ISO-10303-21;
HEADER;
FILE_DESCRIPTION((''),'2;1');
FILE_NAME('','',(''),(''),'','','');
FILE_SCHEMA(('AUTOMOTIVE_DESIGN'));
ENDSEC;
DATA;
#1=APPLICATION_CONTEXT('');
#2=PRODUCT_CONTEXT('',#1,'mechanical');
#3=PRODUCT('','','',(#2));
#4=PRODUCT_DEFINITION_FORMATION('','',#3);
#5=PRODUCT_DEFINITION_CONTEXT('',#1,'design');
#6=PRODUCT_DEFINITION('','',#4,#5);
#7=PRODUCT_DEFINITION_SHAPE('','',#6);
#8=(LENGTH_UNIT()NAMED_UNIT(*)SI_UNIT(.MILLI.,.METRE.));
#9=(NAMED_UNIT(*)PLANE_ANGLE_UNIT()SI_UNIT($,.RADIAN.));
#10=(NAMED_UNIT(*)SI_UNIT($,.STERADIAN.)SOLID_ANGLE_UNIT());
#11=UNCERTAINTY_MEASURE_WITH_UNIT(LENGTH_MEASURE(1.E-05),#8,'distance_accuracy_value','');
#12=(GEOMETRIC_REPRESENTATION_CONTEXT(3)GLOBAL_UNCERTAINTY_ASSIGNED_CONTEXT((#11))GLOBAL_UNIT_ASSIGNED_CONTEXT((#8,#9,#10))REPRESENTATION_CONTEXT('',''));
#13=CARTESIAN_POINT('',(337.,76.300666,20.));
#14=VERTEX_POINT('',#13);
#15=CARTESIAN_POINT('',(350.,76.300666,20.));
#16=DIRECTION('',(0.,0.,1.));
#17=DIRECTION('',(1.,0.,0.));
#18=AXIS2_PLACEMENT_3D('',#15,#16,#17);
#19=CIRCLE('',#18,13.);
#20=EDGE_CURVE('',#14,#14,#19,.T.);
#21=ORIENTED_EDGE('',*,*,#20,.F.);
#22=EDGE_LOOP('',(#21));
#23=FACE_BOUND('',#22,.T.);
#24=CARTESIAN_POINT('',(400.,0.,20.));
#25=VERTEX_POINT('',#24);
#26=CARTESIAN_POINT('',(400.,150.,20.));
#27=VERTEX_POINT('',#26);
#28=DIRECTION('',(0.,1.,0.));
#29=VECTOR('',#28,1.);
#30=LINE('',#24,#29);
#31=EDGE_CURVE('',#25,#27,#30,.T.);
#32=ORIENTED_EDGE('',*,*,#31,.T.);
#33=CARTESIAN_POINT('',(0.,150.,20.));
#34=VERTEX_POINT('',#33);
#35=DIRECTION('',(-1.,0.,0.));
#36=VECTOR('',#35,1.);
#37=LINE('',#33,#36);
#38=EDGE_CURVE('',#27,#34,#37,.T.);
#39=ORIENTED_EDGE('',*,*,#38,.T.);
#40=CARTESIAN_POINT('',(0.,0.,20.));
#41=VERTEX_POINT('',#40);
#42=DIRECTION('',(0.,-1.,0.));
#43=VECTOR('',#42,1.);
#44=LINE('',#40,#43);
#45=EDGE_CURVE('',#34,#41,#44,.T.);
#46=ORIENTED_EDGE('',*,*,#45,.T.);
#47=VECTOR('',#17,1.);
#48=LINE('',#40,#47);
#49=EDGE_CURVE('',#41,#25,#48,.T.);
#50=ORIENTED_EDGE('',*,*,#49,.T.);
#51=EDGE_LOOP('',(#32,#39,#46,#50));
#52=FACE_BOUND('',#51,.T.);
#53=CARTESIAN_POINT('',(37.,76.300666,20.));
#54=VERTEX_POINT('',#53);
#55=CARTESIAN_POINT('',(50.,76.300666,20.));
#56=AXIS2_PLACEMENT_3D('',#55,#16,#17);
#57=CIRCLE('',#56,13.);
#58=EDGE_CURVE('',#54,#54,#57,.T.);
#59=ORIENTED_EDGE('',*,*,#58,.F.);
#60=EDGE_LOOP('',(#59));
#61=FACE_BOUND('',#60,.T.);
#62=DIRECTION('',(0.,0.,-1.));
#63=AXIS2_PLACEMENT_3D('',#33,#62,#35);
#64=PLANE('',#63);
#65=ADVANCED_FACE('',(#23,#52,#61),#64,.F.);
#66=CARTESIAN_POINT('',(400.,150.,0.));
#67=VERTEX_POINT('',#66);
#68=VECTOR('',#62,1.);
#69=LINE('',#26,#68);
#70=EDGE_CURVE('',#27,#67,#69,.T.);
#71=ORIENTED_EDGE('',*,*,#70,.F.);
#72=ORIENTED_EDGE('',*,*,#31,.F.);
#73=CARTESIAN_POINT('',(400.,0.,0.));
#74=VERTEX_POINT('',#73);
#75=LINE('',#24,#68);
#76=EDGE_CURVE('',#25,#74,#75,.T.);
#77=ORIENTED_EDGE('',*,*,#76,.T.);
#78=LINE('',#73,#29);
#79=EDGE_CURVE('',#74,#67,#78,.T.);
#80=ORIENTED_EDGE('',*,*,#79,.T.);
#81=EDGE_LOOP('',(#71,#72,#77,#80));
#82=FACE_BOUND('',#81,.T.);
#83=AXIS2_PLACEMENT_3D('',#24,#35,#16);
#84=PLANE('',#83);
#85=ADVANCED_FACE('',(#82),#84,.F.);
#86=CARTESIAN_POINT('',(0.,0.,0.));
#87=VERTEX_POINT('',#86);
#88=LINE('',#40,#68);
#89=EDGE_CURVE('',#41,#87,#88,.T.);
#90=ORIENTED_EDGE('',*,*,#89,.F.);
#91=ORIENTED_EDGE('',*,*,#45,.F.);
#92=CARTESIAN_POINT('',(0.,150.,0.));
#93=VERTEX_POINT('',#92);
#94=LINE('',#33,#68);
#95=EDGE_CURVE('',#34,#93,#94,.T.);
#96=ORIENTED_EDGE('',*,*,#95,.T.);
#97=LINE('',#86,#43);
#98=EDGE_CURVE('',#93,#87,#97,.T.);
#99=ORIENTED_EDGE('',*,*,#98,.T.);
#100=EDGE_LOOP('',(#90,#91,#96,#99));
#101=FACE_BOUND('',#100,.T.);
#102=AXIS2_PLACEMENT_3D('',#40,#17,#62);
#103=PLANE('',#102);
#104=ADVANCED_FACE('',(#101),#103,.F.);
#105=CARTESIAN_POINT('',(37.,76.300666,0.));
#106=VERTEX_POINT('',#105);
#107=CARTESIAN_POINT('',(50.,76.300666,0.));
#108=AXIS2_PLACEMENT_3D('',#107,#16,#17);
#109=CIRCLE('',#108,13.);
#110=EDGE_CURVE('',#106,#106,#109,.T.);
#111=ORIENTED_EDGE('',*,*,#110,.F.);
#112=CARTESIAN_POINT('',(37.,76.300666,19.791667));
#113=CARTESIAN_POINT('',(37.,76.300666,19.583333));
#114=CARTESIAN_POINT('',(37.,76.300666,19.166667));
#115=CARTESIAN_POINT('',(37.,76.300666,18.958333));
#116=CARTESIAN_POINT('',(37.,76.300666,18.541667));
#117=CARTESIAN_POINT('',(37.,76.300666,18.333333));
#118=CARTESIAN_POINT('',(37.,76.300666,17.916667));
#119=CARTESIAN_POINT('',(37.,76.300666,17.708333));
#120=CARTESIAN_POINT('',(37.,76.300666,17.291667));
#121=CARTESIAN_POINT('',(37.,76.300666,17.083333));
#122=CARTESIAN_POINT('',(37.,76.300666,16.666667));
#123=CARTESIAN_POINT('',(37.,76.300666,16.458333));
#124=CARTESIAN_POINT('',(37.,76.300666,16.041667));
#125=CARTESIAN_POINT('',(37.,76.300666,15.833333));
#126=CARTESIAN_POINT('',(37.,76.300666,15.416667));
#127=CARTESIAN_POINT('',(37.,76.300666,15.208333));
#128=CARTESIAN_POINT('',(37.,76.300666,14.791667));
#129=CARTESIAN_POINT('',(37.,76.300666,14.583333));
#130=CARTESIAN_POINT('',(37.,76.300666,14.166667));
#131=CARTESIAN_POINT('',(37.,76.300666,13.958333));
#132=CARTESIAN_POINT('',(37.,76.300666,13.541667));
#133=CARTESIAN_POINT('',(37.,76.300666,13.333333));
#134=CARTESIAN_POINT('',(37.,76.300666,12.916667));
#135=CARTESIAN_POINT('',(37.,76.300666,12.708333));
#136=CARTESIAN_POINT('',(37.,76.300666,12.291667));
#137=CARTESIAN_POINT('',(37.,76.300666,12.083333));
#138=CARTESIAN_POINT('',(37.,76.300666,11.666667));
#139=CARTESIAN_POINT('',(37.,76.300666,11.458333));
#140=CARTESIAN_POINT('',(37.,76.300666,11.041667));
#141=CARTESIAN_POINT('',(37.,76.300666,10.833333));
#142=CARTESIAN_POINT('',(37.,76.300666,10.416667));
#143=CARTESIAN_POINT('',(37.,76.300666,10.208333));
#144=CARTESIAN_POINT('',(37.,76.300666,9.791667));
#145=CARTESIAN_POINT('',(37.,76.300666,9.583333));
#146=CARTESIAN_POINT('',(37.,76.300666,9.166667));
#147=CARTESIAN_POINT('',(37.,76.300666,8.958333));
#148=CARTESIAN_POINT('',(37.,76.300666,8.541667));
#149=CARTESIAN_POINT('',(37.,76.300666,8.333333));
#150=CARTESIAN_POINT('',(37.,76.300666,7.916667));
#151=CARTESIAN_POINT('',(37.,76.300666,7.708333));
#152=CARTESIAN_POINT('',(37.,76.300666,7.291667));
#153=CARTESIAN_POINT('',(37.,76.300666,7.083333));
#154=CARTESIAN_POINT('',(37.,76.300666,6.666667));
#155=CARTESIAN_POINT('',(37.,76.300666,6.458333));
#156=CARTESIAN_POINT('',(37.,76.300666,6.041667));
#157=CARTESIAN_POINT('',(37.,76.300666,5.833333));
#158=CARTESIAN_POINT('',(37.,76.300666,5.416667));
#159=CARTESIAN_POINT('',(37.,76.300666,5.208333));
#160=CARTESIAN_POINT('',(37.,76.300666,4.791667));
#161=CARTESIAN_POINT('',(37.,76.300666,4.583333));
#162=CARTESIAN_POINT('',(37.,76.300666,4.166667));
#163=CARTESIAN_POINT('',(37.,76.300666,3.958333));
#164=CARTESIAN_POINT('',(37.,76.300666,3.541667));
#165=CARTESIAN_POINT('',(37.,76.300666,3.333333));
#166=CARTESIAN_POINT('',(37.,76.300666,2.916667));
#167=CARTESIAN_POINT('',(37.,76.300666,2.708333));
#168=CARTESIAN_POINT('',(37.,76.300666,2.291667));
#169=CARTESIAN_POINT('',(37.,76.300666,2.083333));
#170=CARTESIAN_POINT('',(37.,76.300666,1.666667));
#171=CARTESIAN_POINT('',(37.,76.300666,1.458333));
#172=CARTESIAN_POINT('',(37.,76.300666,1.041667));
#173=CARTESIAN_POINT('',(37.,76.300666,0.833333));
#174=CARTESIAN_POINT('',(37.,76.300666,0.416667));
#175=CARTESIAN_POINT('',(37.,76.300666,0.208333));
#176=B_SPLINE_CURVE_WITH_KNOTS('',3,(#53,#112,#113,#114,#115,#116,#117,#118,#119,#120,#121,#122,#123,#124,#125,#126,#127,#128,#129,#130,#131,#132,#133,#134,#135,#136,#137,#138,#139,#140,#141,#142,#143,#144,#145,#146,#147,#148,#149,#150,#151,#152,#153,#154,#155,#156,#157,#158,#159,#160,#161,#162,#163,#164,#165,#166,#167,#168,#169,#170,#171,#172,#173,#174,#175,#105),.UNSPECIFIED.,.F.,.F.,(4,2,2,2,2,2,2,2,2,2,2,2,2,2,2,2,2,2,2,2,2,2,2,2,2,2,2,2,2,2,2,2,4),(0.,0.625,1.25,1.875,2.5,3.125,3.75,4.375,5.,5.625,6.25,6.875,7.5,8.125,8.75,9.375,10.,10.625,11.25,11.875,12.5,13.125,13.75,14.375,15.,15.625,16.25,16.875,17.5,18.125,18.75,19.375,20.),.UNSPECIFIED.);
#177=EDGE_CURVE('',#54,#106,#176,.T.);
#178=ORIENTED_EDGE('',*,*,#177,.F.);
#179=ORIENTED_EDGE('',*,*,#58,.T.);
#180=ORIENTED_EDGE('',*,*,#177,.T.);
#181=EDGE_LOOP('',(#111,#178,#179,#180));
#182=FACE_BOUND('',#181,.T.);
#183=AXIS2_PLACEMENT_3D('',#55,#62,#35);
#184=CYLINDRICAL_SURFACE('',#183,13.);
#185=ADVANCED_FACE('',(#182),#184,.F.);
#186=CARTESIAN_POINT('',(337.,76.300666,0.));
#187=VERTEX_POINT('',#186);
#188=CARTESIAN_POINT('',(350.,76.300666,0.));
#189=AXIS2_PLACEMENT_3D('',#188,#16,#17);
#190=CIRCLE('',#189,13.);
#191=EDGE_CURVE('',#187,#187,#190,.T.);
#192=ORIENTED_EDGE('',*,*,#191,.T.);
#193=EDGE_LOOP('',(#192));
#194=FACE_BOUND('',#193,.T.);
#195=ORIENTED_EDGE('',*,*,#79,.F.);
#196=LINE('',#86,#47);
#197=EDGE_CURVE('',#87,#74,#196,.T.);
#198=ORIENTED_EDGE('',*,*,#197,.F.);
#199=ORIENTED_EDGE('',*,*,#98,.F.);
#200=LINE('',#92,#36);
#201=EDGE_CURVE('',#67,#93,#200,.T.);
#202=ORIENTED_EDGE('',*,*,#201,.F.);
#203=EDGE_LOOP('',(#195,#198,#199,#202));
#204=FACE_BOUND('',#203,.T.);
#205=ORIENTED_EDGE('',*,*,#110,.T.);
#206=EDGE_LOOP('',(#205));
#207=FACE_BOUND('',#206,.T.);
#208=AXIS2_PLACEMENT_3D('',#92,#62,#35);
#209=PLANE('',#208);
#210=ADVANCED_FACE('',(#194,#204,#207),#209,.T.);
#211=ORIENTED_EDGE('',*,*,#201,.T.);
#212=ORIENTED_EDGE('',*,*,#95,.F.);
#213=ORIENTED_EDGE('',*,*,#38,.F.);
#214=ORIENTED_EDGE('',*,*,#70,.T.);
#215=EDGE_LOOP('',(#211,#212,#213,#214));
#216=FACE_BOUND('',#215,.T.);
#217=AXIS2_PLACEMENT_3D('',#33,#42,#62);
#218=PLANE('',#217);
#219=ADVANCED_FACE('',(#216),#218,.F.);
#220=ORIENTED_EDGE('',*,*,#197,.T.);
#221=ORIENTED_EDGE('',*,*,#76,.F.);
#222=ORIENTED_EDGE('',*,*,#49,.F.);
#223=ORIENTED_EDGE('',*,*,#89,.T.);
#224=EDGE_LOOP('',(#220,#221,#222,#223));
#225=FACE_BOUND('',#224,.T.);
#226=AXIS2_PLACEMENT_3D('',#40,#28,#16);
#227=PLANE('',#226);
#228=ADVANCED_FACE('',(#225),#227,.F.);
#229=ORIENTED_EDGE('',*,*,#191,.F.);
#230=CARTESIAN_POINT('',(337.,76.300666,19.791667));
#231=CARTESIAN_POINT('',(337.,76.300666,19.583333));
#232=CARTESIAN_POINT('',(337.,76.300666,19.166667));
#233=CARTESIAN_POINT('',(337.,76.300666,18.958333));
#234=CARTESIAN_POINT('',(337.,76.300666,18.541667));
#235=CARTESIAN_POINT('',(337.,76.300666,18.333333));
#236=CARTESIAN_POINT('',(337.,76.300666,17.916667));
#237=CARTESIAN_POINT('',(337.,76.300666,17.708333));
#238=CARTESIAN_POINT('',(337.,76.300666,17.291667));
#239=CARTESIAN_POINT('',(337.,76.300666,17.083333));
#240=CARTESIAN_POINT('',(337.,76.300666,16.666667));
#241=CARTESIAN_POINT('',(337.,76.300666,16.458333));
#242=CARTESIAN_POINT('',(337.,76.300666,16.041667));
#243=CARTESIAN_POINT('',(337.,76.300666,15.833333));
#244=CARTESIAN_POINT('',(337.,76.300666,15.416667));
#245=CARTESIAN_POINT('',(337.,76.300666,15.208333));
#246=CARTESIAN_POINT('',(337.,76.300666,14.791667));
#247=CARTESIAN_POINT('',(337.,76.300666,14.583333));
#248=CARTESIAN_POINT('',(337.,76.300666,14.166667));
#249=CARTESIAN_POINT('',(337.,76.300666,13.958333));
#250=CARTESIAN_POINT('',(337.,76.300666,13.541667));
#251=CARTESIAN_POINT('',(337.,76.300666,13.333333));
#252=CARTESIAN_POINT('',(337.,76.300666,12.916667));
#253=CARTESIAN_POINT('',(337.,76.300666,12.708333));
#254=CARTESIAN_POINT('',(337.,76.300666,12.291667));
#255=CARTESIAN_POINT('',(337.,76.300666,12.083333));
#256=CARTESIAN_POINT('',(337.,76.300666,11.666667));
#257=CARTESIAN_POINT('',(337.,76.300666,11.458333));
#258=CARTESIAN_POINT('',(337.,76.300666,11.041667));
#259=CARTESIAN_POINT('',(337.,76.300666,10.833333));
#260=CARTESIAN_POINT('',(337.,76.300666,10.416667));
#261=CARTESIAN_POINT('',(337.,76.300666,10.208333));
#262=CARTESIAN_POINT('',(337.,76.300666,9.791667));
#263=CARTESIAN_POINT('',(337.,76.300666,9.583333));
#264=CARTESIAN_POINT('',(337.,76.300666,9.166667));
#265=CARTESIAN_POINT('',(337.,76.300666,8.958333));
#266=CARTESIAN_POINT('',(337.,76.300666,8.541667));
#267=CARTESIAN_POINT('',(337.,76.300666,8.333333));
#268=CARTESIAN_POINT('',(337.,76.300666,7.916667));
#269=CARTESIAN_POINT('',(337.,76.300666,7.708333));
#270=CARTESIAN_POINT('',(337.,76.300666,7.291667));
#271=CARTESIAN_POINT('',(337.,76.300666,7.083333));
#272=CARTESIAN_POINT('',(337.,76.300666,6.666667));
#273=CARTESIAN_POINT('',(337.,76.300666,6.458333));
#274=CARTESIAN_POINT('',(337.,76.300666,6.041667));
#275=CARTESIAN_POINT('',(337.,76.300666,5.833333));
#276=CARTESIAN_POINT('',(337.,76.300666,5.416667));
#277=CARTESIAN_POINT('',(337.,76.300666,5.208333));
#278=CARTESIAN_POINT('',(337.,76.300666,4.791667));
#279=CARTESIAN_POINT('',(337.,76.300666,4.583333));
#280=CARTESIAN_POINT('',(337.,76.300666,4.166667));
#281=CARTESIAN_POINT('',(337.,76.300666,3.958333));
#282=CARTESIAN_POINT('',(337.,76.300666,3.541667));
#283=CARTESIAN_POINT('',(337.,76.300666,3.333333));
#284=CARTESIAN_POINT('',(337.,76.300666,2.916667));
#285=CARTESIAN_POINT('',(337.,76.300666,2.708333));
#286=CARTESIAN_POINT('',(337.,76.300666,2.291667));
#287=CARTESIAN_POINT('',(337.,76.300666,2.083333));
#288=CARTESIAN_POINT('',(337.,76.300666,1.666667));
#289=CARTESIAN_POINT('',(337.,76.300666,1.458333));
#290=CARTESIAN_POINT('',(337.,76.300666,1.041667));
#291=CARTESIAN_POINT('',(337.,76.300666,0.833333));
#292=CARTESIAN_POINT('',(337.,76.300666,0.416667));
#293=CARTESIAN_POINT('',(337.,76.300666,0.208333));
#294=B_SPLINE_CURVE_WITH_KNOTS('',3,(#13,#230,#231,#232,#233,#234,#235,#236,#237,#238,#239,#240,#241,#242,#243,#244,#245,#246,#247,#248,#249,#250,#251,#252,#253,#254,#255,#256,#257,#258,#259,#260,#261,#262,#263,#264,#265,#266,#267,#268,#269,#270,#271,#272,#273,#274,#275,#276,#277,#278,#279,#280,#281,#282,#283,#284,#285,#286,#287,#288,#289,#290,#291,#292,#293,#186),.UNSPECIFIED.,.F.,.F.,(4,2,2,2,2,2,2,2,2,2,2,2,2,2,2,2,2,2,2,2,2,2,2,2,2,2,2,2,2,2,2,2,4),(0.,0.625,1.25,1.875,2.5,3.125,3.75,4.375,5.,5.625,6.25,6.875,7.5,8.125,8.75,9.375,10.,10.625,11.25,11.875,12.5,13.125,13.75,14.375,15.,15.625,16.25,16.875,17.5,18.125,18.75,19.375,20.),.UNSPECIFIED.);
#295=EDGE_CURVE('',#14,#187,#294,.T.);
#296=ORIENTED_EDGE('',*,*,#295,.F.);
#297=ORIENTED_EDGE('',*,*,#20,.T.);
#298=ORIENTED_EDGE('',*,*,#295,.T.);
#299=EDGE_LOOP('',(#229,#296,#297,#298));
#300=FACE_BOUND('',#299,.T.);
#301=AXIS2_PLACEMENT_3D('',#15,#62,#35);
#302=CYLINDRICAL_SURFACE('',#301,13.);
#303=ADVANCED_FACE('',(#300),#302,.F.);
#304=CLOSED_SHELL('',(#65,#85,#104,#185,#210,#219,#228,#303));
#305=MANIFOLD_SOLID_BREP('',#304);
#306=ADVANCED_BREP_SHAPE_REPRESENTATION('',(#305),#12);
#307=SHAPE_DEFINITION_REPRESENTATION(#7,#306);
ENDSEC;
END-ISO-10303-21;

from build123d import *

# Parameters (mm, degrees)
SKETCH1_W      = 400
SKETCH1_H      = 150
SKETCH1_R      = 13
EXTRUDE1_DEPTH = 20


with BuildPart() as part:
    # Sketch1 → Extrude1 (new body)
    with BuildSketch(Plane.XY):
        with Locations((200, 75)):
            Rectangle(SKETCH1_W, SKETCH1_H)
        with Locations((50, 76.300665856)):
            Circle(SKETCH1_R, mode=Mode.SUBTRACT)
        with Locations((350, 76.300665856)):
            Circle(SKETCH1_R, mode=Mode.SUBTRACT)
    extrude(amount=EXTRUDE1_DEPTH)


solid = part.part
